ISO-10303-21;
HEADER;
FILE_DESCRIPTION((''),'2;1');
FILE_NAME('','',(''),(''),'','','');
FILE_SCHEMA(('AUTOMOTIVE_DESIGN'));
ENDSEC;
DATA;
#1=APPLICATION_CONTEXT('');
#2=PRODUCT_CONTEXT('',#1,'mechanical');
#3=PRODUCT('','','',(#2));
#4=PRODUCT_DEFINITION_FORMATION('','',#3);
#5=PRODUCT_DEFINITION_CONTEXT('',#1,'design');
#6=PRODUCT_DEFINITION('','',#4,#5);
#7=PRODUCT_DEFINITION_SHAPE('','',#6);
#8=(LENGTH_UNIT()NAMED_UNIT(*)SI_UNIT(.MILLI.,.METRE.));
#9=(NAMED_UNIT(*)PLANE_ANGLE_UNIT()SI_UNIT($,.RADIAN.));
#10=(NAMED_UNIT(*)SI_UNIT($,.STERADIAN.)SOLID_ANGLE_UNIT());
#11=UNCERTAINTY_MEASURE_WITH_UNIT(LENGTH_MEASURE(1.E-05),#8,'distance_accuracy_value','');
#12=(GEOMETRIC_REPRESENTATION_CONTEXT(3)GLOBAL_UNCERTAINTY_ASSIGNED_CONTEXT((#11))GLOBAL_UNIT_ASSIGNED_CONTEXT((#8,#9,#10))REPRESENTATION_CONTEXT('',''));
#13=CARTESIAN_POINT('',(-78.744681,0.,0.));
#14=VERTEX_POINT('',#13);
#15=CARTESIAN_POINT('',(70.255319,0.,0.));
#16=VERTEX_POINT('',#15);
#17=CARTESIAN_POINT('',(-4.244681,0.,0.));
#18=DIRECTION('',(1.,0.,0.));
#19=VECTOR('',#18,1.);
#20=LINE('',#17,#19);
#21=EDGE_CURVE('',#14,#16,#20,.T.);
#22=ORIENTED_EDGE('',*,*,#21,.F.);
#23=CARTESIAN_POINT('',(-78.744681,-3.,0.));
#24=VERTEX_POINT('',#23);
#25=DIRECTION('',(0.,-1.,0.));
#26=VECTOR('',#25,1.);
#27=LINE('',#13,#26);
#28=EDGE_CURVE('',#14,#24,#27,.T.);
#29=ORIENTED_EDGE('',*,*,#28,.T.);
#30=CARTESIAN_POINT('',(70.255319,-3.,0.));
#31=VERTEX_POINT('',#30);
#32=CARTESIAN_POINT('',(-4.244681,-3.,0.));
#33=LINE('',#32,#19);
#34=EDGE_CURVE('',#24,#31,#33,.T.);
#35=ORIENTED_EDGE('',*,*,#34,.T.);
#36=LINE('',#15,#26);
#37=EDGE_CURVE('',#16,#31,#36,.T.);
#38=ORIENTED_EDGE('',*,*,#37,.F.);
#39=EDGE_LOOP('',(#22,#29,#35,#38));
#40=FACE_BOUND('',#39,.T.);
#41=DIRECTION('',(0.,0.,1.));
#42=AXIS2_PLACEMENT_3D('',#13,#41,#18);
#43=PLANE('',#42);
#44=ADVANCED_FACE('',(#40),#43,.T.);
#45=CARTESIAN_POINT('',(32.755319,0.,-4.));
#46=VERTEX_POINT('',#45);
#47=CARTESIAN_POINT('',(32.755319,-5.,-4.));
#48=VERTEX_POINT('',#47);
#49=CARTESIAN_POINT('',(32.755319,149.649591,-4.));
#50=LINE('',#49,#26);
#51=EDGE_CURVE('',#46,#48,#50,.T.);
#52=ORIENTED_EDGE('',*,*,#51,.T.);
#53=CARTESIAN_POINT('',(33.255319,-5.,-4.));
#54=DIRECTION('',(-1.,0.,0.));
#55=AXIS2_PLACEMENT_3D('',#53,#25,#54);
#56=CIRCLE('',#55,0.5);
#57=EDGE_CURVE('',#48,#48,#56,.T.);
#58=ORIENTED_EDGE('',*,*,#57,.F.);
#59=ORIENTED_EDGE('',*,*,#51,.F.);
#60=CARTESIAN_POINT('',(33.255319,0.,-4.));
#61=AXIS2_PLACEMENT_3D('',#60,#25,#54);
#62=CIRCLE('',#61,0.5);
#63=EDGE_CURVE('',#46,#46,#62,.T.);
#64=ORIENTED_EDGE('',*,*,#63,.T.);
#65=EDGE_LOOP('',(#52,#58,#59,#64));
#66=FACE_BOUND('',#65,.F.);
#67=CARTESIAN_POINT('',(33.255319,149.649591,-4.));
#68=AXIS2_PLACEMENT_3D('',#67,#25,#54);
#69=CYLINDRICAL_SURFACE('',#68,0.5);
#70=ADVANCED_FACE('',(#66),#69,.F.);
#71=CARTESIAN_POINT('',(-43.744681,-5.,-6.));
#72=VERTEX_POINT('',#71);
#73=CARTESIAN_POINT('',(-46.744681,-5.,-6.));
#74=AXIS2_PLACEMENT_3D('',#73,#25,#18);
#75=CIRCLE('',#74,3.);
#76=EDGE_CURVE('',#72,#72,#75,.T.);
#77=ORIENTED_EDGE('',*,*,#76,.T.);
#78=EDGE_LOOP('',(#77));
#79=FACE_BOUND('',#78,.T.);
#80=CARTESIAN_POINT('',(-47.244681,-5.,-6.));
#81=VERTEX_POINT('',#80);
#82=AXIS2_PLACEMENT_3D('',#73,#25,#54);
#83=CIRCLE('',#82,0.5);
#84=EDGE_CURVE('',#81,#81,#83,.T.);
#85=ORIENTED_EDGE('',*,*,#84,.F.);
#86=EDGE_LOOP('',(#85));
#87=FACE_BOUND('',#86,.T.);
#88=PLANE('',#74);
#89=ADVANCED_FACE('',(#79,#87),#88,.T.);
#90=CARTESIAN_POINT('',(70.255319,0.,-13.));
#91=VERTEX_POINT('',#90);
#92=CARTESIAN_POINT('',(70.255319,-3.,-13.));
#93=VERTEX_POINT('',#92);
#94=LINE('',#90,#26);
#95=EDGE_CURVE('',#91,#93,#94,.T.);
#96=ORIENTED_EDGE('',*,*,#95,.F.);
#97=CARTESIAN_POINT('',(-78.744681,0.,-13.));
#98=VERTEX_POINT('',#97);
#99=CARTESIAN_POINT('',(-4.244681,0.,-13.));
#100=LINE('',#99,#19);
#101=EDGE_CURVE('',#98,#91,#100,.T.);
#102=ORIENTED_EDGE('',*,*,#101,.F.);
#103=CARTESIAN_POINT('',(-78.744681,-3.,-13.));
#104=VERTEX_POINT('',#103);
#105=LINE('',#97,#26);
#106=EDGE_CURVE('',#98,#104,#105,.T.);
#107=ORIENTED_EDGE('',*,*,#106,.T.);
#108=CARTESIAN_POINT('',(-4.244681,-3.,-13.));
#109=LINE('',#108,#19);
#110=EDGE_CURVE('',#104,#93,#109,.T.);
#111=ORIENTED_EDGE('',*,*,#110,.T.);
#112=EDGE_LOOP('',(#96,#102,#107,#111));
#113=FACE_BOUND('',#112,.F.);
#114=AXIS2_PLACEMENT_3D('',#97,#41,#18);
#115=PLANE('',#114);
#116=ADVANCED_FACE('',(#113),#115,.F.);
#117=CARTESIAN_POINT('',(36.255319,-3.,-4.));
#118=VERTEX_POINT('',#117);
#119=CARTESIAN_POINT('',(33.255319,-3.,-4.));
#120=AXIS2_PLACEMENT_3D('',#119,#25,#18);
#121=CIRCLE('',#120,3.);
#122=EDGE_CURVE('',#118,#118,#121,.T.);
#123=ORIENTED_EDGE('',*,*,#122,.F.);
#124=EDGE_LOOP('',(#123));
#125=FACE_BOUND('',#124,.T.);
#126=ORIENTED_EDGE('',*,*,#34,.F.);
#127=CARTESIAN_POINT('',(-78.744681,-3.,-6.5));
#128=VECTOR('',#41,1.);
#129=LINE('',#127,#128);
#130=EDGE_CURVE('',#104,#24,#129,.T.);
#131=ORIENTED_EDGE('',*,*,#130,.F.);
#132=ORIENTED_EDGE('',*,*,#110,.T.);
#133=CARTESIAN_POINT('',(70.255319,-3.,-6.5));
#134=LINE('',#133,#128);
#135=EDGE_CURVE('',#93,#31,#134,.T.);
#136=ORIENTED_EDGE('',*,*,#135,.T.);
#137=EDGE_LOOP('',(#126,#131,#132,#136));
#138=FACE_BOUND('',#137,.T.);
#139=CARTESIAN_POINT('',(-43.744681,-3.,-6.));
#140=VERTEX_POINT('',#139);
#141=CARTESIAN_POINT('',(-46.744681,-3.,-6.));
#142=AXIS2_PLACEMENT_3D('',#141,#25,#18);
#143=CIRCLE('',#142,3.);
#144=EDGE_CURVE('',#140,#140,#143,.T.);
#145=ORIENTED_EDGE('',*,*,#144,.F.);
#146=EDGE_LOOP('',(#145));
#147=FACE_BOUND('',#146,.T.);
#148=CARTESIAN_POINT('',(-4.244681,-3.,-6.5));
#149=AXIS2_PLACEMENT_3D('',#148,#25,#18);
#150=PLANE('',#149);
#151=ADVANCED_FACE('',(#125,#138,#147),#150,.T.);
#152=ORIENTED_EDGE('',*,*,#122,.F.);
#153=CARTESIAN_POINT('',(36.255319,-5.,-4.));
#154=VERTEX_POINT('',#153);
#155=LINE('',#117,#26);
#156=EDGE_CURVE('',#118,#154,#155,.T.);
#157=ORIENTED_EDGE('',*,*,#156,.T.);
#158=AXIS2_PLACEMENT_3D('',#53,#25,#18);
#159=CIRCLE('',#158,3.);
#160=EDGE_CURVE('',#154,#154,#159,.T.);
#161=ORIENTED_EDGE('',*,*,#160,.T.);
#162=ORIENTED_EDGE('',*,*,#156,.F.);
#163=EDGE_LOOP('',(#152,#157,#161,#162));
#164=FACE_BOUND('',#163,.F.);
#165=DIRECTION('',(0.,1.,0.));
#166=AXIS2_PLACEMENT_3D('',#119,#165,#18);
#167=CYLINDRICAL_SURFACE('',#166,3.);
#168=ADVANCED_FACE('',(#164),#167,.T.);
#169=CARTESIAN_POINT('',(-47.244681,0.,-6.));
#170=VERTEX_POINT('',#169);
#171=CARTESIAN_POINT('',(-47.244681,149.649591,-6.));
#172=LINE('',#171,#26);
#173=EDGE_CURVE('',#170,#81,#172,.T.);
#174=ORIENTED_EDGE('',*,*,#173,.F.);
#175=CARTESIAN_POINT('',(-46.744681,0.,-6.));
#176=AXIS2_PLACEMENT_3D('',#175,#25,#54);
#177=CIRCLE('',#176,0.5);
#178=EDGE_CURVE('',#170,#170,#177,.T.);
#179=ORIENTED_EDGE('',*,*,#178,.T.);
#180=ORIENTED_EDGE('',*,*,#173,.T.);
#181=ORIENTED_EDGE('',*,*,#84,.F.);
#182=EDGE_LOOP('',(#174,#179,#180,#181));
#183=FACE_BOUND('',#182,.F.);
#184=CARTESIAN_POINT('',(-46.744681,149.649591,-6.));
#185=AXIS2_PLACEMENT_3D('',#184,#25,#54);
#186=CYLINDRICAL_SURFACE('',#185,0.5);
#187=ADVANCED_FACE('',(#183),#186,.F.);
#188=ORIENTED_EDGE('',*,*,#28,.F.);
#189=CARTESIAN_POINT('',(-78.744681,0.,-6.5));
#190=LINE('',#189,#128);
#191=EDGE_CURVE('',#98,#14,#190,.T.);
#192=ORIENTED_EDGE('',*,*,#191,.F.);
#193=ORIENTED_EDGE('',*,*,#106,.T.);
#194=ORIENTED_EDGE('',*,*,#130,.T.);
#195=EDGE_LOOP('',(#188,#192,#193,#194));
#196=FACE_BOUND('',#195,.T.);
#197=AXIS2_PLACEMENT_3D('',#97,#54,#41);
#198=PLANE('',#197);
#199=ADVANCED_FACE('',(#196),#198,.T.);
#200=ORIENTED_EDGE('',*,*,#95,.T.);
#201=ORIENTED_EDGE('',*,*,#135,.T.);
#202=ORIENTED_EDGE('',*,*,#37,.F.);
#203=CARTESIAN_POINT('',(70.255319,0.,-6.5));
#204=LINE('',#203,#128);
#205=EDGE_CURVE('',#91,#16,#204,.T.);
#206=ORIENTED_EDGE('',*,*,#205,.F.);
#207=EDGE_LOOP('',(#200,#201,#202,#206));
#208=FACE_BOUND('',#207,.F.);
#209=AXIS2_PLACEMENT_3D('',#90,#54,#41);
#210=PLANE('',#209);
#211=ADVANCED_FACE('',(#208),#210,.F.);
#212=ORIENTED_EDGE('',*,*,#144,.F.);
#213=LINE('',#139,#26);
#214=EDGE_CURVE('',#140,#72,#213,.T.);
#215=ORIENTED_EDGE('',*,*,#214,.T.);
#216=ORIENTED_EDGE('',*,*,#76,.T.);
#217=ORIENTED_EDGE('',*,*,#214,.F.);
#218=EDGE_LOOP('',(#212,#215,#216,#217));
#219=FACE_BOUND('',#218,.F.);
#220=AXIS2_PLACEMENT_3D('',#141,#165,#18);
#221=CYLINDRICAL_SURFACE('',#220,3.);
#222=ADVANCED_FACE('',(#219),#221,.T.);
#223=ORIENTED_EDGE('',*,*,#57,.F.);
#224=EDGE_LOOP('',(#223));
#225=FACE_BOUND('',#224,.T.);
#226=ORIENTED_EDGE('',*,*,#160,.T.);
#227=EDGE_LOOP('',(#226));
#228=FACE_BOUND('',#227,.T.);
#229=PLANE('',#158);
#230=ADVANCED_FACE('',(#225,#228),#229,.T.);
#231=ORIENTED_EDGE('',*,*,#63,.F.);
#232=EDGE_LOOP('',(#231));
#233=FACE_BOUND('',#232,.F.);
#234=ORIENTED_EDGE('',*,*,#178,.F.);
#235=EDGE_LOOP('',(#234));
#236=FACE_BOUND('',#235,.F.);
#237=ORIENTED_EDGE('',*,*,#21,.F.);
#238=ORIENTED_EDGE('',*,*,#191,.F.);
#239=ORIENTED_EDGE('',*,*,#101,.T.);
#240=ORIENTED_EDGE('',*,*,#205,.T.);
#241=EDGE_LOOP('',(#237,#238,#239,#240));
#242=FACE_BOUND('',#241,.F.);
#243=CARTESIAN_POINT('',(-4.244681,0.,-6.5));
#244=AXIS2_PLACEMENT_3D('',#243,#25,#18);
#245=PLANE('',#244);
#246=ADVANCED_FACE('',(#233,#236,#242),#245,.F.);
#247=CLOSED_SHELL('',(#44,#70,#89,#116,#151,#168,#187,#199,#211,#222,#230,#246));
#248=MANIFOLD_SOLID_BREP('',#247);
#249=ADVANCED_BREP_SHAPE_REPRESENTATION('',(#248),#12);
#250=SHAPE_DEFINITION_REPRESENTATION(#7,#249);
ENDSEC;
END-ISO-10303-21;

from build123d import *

# Parameters (mm, degrees)
F0_W     = 149
F0_H     = 13
F1_DEPTH = 3
F2_R     = 3
F3_DEPTH = 2
F4_D     = 1


with BuildPart() as f1:
    # F0 (on Front) → F1 (new body)
    with BuildSketch(Plane.XZ):
        with Locations((-4.2446807389, -6.5)):
            Rectangle(F0_W, F0_H)
    extrude(amount=F1_DEPTH)

    # F2 (on face) → F3 (join)
    with BuildSketch(Plane.XZ.offset(3)):
        with Locations((-46.7446807389, -6)):
            Circle(F2_R)
        with Locations((33.2553192611, -4)):
            Circle(F2_R)
    extrude(amount=F3_DEPTH)

    # F4 (through all)
    with Locations(Plane(origin=(0, 0, 0), x_dir=(1, 0, 0), z_dir=(0, 1, 0))):
        with Locations((-46.7446807389, 6), (33.2553192611, 4)):
            Hole(F4_D / 2)


solid = f1.part
